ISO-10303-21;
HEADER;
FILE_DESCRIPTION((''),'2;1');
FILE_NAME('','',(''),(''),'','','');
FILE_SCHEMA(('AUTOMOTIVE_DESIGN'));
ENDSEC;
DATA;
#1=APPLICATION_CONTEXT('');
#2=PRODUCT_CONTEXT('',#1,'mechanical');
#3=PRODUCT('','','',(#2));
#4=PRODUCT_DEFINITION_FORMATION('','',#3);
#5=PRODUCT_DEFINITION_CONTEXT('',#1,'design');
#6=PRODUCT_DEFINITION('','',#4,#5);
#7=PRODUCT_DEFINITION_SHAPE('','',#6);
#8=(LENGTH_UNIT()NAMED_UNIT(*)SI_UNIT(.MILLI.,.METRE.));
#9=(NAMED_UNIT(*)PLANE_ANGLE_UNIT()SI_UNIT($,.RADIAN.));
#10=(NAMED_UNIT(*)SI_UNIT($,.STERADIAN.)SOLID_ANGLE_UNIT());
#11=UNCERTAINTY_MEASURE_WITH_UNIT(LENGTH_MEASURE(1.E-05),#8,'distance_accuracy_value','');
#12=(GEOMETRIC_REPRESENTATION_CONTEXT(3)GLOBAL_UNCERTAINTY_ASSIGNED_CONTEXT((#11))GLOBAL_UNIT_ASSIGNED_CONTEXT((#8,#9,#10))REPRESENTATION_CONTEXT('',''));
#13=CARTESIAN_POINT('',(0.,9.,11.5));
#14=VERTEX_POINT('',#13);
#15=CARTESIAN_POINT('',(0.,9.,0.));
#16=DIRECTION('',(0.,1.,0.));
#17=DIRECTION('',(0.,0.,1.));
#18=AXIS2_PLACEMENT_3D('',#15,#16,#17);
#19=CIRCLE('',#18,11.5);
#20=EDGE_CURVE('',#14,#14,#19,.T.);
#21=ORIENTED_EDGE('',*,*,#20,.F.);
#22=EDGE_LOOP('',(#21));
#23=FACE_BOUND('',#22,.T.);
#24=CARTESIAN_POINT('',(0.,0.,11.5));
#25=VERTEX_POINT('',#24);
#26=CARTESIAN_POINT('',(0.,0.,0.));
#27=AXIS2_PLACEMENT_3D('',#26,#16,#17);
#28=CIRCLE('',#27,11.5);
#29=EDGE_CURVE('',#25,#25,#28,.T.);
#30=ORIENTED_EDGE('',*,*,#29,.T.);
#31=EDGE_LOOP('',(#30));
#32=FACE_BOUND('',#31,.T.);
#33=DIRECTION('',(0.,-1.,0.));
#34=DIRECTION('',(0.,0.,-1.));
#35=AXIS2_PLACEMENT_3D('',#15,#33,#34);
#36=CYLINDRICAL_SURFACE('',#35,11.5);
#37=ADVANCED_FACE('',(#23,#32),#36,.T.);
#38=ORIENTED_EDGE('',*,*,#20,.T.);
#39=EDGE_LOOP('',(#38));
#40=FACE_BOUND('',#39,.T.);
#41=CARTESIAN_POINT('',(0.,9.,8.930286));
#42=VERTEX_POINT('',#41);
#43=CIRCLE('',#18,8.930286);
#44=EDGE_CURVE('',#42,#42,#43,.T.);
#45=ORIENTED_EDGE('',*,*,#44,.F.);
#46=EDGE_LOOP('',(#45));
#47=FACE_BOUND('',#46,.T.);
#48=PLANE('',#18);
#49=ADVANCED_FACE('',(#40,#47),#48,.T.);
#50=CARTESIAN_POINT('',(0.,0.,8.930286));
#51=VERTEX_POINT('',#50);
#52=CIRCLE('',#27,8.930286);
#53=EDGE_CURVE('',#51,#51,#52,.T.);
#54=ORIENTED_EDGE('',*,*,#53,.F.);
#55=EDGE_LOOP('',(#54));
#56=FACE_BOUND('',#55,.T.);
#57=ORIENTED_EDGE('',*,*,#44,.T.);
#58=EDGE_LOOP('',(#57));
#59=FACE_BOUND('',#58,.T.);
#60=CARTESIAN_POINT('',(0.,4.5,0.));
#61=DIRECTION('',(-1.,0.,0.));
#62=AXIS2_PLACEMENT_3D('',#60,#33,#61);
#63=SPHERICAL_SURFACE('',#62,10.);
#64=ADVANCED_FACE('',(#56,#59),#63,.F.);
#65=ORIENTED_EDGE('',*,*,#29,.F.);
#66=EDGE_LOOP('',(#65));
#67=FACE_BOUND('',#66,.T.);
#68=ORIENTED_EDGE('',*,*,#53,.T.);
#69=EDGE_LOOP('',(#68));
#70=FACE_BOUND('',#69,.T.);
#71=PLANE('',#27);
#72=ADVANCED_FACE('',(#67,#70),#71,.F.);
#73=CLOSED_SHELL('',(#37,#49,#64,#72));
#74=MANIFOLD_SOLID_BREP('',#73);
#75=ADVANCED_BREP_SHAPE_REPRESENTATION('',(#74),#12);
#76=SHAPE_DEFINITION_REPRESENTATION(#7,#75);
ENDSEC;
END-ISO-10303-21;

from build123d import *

# Parameters (mm, degrees)
SKETCH1_R           = 11.5
SKETCH1_R_2         = 8.5
BOSS_EXTRUDE1_DEPTH = 9


with BuildPart() as part:
    # Sketch1 → Boss-Extrude1 (new body)
    with BuildSketch(Plane(origin=(0, 0, 0), x_dir=(1, 0, 0), z_dir=(0, 1, 0))):
        Circle(SKETCH1_R)
        Circle(SKETCH1_R_2, mode=Mode.SUBTRACT)
    extrude(amount=BOSS_EXTRUDE1_DEPTH)

    # Sketch2 → Cut-Revolve2 (revolve, cut)
    with BuildSketch(Plane.XY):
        with BuildLine():
            Line((0, -5.5), (0, 14.5))
            ThreePointArc((0, 14.5), (10, 4.5), (0, -5.5))
        make_face()
    revolve(axis=Axis((0, -5.5, 0), (0, 1, 0)), mode=Mode.SUBTRACT)


solid = part.part
